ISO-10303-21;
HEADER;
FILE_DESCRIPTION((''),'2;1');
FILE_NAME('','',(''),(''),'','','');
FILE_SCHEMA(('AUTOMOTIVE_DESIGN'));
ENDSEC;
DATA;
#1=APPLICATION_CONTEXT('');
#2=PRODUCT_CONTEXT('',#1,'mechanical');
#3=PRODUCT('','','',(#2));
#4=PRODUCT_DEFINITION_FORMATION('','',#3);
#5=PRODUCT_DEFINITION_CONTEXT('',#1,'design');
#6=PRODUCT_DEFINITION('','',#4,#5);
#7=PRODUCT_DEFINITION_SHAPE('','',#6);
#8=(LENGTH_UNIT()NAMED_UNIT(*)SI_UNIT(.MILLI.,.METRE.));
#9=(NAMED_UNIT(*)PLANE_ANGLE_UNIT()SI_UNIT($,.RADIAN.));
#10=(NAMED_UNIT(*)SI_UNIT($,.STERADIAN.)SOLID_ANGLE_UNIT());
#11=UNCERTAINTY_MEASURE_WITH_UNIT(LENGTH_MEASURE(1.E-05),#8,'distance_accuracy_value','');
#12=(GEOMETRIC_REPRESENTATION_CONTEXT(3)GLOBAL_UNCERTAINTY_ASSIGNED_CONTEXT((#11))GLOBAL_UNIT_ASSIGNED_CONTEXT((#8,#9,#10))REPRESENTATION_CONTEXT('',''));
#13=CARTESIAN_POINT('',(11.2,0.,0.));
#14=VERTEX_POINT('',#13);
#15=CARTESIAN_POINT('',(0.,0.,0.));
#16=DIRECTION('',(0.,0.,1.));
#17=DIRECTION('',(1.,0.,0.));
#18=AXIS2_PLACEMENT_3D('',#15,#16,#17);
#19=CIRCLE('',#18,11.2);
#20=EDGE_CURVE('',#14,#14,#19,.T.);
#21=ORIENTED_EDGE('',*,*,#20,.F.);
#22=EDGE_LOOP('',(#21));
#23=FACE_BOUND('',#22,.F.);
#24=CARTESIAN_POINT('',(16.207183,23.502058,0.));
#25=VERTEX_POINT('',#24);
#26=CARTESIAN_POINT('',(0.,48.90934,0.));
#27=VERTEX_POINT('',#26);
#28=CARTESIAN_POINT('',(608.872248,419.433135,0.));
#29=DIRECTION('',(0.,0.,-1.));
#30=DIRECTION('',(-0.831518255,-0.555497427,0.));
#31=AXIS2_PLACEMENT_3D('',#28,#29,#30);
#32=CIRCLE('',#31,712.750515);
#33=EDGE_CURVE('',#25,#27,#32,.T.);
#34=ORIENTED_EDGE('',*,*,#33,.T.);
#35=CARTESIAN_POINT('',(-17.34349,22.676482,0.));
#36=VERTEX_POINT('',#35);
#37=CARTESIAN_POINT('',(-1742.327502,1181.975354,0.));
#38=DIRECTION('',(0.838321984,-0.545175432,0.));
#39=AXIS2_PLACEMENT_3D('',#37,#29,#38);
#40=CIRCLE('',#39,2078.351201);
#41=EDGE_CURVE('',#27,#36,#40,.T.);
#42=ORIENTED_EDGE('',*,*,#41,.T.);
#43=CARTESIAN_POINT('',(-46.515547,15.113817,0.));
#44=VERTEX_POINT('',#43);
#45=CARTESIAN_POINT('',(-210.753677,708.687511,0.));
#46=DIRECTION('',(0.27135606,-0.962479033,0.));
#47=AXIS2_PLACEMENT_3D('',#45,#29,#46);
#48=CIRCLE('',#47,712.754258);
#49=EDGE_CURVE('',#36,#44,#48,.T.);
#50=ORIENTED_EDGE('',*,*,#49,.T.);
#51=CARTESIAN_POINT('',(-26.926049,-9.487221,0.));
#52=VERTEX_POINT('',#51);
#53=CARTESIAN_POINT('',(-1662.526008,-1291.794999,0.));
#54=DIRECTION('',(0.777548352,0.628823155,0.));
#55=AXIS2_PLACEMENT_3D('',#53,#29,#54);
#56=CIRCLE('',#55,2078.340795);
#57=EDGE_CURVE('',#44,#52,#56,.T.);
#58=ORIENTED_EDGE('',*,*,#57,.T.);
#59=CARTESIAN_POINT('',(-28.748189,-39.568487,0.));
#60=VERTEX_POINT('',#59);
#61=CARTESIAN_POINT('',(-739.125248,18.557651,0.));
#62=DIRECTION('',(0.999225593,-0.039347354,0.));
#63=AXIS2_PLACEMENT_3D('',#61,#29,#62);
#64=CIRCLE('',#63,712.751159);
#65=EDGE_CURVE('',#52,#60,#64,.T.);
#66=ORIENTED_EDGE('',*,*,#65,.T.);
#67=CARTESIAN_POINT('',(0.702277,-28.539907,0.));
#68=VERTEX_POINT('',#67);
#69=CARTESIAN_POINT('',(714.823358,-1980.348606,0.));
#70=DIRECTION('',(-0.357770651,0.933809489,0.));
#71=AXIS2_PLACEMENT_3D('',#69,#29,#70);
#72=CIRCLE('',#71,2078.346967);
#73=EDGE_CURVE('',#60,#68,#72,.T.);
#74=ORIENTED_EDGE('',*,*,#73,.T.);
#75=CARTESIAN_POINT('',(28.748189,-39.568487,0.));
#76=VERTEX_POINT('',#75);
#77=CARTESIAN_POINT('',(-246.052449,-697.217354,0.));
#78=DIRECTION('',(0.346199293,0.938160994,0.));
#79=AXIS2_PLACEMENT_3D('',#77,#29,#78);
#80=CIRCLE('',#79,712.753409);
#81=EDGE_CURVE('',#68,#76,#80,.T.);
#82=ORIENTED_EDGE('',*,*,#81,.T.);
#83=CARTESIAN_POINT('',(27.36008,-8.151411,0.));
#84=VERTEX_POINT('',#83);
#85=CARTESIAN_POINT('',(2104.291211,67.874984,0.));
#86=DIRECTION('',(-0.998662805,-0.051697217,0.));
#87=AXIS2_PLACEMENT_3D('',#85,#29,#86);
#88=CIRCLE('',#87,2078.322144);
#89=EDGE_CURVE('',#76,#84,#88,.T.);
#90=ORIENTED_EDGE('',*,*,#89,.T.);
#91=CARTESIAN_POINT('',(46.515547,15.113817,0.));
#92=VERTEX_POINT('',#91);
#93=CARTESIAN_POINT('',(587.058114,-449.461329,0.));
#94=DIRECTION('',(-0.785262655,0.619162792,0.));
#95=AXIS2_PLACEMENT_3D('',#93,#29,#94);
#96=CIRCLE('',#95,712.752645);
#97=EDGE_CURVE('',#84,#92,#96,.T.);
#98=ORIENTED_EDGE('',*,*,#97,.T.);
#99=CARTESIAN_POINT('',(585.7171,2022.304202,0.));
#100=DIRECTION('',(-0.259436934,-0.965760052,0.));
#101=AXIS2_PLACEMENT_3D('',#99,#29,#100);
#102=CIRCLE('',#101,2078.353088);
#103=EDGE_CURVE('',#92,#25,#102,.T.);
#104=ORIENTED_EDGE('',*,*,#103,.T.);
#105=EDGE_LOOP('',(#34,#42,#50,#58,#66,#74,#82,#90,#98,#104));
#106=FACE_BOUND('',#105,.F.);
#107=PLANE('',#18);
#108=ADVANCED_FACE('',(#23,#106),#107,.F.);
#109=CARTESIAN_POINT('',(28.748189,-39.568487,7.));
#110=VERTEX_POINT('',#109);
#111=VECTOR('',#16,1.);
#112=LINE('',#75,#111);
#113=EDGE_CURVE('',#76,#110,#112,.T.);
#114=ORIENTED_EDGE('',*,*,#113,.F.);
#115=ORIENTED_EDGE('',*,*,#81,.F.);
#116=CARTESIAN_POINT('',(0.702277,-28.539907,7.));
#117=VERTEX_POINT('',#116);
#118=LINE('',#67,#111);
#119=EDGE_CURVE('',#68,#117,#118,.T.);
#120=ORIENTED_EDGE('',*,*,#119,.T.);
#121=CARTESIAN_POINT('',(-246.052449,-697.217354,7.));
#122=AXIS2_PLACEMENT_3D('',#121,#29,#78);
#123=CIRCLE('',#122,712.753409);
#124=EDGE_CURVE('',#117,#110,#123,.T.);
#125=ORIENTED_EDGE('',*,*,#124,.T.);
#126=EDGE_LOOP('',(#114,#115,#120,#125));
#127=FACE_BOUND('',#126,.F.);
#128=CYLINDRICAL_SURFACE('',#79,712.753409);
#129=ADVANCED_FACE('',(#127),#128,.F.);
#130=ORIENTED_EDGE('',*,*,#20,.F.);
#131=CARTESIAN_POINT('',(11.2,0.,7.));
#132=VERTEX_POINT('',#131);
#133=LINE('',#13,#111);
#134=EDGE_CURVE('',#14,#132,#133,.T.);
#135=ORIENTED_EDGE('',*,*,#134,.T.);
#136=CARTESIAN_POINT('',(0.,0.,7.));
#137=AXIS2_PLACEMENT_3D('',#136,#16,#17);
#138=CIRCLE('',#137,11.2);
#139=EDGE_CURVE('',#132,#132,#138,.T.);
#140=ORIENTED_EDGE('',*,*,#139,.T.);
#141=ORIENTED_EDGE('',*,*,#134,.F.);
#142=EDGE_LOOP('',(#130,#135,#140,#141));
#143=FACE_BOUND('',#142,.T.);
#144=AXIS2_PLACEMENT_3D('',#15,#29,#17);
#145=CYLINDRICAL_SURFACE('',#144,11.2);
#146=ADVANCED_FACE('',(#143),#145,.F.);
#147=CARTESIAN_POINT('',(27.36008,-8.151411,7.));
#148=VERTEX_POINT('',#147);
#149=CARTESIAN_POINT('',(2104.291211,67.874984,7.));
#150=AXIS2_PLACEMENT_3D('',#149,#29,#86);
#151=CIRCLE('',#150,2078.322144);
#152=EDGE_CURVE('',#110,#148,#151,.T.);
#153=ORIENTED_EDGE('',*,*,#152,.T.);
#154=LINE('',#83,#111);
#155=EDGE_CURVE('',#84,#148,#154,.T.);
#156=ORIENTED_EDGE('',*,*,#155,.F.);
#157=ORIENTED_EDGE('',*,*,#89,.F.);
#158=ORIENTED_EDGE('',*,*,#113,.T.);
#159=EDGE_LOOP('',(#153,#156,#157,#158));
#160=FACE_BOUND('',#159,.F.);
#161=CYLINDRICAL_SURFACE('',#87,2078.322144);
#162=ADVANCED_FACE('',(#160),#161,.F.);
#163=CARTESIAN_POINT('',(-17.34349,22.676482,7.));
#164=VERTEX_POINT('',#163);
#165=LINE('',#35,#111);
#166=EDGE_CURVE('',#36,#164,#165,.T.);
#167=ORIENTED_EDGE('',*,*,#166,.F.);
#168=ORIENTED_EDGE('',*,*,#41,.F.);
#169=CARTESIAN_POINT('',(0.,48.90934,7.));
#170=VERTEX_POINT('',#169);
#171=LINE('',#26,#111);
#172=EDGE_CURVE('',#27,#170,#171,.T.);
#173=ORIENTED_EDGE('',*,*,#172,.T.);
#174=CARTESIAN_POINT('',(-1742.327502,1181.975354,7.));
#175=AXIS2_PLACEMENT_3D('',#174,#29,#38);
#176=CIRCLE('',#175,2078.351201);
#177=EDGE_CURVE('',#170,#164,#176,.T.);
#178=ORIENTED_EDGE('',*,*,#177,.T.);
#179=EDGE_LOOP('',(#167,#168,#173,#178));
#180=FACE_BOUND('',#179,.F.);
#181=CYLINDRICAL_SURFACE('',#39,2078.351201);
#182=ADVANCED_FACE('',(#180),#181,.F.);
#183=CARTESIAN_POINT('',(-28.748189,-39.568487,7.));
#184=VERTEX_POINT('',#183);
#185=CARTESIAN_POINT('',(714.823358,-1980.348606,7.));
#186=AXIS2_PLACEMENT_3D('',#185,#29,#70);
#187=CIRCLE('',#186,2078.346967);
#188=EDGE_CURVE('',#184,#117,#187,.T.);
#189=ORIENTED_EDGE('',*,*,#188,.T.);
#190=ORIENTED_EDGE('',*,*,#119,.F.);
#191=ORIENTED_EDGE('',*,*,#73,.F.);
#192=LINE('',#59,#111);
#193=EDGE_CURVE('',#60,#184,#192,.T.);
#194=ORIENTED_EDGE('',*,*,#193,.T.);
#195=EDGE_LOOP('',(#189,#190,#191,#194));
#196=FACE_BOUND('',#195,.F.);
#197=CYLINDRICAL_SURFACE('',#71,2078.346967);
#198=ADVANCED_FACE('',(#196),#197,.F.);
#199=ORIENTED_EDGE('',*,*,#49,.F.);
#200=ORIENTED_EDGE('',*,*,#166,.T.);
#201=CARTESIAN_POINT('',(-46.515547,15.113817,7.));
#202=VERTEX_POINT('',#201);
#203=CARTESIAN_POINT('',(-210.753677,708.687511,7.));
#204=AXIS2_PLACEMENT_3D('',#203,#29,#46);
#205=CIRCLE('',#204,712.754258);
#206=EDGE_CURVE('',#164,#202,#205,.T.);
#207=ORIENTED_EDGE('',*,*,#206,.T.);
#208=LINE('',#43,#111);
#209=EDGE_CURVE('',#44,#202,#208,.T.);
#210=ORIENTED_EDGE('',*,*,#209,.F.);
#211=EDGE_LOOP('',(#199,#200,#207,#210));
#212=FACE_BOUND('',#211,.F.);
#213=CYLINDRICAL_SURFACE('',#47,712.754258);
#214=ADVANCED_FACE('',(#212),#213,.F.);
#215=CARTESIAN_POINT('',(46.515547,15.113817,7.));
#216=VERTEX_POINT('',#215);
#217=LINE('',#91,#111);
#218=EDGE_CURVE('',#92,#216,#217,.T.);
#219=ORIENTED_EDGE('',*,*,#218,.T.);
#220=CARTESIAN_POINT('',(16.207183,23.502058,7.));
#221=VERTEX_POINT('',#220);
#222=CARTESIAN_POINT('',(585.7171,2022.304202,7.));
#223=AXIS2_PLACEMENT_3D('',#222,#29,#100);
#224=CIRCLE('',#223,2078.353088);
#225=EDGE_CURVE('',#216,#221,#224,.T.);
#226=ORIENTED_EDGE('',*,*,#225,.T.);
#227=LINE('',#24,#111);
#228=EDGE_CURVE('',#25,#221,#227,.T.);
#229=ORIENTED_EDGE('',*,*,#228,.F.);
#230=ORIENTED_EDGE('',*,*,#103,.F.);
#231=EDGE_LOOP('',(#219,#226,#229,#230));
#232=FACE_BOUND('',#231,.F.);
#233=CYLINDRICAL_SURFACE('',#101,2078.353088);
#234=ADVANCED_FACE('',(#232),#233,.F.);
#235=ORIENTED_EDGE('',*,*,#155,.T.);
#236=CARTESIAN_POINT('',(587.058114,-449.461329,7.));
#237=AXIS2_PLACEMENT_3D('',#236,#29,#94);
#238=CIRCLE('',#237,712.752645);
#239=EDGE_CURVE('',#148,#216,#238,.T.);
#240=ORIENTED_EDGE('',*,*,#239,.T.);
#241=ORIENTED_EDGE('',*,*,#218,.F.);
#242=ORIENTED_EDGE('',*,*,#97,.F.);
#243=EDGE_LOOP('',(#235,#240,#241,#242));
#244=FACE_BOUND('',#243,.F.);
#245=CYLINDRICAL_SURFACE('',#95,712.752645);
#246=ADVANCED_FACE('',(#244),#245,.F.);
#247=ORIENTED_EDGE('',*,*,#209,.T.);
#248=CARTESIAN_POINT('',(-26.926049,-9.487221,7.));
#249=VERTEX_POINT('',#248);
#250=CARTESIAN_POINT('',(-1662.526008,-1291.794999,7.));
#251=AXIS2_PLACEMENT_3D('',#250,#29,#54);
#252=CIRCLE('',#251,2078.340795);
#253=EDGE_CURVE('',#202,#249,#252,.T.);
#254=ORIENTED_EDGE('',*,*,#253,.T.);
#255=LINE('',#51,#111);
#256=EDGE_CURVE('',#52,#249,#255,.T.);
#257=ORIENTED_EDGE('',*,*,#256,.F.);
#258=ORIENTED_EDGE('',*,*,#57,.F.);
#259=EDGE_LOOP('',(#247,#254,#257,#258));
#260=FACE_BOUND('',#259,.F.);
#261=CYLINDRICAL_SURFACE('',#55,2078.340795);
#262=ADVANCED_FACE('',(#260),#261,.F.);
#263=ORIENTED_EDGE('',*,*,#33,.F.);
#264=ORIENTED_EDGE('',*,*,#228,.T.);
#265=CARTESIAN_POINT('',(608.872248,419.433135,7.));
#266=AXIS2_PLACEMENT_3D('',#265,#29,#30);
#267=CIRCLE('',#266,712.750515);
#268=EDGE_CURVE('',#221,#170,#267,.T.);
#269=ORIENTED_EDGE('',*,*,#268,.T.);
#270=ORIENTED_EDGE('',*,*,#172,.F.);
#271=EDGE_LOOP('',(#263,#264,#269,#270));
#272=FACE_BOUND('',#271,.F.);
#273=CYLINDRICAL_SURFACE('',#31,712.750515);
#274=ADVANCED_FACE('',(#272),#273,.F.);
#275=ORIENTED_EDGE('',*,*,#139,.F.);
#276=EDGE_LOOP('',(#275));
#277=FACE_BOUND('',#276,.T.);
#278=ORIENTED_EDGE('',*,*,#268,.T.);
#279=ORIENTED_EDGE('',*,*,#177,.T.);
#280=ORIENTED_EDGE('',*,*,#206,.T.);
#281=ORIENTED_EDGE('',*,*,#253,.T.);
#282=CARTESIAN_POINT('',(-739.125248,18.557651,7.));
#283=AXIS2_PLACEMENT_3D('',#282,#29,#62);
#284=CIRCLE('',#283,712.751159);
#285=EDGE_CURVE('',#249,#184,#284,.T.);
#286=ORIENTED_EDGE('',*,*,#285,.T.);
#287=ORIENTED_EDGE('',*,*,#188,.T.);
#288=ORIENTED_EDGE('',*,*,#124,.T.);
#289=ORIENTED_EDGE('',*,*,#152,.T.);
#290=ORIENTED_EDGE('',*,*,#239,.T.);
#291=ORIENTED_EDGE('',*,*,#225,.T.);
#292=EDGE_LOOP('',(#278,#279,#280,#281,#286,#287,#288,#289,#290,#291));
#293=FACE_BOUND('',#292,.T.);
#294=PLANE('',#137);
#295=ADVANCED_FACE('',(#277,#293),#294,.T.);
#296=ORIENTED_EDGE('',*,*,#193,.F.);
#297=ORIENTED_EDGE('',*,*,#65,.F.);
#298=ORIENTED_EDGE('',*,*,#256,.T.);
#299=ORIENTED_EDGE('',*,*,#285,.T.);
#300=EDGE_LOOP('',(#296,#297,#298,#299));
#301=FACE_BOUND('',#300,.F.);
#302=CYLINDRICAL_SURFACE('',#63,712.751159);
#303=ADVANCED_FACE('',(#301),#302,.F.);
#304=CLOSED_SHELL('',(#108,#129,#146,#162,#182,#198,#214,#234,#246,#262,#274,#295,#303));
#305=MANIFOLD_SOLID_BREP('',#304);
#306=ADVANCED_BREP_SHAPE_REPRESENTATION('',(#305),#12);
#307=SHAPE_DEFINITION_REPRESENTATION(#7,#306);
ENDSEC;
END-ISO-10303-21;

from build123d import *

# Parameters (mm, degrees)
F0_R     = 11.2
F1_DEPTH = 7


with BuildPart() as f1:
    # F0 (on Top) → F1 (new body)
    with BuildSketch(Plane.XY):
        with BuildLine():
            ThreePointArc((0, 48.90934), (-8.622128, 35.760107), (-17.34349, 22.676482))
            ThreePointArc((-17.34349, 22.676482), (-31.889544, 18.740952), (-46.515547, 15.113817))
            ThreePointArc((-46.515547, 15.113817), (-36.674267, 2.85035), (-26.926049, -9.487221))
            ThreePointArc((-26.926049, -9.487221), (-27.678115, -24.537486), (-28.748189, -39.568487))
            ThreePointArc((-28.748189, -39.568487), (-14.043816, -33.998494), (0.702277, -28.539907))
            ThreePointArc((0.702277, -28.539907), (14.783528, -33.905952), (28.748189, -39.568487))
            ThreePointArc((28.748189, -39.568487), (27.994711, -23.862575), (27.36008, -8.151411))
            ThreePointArc((27.36008, -8.151411), (36.814838, 3.582455), (46.515547, 15.113817))
            ThreePointArc((46.515547, 15.113817), (31.345499, 19.250612), (16.207183, 23.502058))
            ThreePointArc((16.207183, 23.502058), (7.969293, 36.120031), (0, 48.90934))
        make_face()
        Circle(F0_R, mode=Mode.SUBTRACT)
    extrude(amount=F1_DEPTH)


solid = f1.part
